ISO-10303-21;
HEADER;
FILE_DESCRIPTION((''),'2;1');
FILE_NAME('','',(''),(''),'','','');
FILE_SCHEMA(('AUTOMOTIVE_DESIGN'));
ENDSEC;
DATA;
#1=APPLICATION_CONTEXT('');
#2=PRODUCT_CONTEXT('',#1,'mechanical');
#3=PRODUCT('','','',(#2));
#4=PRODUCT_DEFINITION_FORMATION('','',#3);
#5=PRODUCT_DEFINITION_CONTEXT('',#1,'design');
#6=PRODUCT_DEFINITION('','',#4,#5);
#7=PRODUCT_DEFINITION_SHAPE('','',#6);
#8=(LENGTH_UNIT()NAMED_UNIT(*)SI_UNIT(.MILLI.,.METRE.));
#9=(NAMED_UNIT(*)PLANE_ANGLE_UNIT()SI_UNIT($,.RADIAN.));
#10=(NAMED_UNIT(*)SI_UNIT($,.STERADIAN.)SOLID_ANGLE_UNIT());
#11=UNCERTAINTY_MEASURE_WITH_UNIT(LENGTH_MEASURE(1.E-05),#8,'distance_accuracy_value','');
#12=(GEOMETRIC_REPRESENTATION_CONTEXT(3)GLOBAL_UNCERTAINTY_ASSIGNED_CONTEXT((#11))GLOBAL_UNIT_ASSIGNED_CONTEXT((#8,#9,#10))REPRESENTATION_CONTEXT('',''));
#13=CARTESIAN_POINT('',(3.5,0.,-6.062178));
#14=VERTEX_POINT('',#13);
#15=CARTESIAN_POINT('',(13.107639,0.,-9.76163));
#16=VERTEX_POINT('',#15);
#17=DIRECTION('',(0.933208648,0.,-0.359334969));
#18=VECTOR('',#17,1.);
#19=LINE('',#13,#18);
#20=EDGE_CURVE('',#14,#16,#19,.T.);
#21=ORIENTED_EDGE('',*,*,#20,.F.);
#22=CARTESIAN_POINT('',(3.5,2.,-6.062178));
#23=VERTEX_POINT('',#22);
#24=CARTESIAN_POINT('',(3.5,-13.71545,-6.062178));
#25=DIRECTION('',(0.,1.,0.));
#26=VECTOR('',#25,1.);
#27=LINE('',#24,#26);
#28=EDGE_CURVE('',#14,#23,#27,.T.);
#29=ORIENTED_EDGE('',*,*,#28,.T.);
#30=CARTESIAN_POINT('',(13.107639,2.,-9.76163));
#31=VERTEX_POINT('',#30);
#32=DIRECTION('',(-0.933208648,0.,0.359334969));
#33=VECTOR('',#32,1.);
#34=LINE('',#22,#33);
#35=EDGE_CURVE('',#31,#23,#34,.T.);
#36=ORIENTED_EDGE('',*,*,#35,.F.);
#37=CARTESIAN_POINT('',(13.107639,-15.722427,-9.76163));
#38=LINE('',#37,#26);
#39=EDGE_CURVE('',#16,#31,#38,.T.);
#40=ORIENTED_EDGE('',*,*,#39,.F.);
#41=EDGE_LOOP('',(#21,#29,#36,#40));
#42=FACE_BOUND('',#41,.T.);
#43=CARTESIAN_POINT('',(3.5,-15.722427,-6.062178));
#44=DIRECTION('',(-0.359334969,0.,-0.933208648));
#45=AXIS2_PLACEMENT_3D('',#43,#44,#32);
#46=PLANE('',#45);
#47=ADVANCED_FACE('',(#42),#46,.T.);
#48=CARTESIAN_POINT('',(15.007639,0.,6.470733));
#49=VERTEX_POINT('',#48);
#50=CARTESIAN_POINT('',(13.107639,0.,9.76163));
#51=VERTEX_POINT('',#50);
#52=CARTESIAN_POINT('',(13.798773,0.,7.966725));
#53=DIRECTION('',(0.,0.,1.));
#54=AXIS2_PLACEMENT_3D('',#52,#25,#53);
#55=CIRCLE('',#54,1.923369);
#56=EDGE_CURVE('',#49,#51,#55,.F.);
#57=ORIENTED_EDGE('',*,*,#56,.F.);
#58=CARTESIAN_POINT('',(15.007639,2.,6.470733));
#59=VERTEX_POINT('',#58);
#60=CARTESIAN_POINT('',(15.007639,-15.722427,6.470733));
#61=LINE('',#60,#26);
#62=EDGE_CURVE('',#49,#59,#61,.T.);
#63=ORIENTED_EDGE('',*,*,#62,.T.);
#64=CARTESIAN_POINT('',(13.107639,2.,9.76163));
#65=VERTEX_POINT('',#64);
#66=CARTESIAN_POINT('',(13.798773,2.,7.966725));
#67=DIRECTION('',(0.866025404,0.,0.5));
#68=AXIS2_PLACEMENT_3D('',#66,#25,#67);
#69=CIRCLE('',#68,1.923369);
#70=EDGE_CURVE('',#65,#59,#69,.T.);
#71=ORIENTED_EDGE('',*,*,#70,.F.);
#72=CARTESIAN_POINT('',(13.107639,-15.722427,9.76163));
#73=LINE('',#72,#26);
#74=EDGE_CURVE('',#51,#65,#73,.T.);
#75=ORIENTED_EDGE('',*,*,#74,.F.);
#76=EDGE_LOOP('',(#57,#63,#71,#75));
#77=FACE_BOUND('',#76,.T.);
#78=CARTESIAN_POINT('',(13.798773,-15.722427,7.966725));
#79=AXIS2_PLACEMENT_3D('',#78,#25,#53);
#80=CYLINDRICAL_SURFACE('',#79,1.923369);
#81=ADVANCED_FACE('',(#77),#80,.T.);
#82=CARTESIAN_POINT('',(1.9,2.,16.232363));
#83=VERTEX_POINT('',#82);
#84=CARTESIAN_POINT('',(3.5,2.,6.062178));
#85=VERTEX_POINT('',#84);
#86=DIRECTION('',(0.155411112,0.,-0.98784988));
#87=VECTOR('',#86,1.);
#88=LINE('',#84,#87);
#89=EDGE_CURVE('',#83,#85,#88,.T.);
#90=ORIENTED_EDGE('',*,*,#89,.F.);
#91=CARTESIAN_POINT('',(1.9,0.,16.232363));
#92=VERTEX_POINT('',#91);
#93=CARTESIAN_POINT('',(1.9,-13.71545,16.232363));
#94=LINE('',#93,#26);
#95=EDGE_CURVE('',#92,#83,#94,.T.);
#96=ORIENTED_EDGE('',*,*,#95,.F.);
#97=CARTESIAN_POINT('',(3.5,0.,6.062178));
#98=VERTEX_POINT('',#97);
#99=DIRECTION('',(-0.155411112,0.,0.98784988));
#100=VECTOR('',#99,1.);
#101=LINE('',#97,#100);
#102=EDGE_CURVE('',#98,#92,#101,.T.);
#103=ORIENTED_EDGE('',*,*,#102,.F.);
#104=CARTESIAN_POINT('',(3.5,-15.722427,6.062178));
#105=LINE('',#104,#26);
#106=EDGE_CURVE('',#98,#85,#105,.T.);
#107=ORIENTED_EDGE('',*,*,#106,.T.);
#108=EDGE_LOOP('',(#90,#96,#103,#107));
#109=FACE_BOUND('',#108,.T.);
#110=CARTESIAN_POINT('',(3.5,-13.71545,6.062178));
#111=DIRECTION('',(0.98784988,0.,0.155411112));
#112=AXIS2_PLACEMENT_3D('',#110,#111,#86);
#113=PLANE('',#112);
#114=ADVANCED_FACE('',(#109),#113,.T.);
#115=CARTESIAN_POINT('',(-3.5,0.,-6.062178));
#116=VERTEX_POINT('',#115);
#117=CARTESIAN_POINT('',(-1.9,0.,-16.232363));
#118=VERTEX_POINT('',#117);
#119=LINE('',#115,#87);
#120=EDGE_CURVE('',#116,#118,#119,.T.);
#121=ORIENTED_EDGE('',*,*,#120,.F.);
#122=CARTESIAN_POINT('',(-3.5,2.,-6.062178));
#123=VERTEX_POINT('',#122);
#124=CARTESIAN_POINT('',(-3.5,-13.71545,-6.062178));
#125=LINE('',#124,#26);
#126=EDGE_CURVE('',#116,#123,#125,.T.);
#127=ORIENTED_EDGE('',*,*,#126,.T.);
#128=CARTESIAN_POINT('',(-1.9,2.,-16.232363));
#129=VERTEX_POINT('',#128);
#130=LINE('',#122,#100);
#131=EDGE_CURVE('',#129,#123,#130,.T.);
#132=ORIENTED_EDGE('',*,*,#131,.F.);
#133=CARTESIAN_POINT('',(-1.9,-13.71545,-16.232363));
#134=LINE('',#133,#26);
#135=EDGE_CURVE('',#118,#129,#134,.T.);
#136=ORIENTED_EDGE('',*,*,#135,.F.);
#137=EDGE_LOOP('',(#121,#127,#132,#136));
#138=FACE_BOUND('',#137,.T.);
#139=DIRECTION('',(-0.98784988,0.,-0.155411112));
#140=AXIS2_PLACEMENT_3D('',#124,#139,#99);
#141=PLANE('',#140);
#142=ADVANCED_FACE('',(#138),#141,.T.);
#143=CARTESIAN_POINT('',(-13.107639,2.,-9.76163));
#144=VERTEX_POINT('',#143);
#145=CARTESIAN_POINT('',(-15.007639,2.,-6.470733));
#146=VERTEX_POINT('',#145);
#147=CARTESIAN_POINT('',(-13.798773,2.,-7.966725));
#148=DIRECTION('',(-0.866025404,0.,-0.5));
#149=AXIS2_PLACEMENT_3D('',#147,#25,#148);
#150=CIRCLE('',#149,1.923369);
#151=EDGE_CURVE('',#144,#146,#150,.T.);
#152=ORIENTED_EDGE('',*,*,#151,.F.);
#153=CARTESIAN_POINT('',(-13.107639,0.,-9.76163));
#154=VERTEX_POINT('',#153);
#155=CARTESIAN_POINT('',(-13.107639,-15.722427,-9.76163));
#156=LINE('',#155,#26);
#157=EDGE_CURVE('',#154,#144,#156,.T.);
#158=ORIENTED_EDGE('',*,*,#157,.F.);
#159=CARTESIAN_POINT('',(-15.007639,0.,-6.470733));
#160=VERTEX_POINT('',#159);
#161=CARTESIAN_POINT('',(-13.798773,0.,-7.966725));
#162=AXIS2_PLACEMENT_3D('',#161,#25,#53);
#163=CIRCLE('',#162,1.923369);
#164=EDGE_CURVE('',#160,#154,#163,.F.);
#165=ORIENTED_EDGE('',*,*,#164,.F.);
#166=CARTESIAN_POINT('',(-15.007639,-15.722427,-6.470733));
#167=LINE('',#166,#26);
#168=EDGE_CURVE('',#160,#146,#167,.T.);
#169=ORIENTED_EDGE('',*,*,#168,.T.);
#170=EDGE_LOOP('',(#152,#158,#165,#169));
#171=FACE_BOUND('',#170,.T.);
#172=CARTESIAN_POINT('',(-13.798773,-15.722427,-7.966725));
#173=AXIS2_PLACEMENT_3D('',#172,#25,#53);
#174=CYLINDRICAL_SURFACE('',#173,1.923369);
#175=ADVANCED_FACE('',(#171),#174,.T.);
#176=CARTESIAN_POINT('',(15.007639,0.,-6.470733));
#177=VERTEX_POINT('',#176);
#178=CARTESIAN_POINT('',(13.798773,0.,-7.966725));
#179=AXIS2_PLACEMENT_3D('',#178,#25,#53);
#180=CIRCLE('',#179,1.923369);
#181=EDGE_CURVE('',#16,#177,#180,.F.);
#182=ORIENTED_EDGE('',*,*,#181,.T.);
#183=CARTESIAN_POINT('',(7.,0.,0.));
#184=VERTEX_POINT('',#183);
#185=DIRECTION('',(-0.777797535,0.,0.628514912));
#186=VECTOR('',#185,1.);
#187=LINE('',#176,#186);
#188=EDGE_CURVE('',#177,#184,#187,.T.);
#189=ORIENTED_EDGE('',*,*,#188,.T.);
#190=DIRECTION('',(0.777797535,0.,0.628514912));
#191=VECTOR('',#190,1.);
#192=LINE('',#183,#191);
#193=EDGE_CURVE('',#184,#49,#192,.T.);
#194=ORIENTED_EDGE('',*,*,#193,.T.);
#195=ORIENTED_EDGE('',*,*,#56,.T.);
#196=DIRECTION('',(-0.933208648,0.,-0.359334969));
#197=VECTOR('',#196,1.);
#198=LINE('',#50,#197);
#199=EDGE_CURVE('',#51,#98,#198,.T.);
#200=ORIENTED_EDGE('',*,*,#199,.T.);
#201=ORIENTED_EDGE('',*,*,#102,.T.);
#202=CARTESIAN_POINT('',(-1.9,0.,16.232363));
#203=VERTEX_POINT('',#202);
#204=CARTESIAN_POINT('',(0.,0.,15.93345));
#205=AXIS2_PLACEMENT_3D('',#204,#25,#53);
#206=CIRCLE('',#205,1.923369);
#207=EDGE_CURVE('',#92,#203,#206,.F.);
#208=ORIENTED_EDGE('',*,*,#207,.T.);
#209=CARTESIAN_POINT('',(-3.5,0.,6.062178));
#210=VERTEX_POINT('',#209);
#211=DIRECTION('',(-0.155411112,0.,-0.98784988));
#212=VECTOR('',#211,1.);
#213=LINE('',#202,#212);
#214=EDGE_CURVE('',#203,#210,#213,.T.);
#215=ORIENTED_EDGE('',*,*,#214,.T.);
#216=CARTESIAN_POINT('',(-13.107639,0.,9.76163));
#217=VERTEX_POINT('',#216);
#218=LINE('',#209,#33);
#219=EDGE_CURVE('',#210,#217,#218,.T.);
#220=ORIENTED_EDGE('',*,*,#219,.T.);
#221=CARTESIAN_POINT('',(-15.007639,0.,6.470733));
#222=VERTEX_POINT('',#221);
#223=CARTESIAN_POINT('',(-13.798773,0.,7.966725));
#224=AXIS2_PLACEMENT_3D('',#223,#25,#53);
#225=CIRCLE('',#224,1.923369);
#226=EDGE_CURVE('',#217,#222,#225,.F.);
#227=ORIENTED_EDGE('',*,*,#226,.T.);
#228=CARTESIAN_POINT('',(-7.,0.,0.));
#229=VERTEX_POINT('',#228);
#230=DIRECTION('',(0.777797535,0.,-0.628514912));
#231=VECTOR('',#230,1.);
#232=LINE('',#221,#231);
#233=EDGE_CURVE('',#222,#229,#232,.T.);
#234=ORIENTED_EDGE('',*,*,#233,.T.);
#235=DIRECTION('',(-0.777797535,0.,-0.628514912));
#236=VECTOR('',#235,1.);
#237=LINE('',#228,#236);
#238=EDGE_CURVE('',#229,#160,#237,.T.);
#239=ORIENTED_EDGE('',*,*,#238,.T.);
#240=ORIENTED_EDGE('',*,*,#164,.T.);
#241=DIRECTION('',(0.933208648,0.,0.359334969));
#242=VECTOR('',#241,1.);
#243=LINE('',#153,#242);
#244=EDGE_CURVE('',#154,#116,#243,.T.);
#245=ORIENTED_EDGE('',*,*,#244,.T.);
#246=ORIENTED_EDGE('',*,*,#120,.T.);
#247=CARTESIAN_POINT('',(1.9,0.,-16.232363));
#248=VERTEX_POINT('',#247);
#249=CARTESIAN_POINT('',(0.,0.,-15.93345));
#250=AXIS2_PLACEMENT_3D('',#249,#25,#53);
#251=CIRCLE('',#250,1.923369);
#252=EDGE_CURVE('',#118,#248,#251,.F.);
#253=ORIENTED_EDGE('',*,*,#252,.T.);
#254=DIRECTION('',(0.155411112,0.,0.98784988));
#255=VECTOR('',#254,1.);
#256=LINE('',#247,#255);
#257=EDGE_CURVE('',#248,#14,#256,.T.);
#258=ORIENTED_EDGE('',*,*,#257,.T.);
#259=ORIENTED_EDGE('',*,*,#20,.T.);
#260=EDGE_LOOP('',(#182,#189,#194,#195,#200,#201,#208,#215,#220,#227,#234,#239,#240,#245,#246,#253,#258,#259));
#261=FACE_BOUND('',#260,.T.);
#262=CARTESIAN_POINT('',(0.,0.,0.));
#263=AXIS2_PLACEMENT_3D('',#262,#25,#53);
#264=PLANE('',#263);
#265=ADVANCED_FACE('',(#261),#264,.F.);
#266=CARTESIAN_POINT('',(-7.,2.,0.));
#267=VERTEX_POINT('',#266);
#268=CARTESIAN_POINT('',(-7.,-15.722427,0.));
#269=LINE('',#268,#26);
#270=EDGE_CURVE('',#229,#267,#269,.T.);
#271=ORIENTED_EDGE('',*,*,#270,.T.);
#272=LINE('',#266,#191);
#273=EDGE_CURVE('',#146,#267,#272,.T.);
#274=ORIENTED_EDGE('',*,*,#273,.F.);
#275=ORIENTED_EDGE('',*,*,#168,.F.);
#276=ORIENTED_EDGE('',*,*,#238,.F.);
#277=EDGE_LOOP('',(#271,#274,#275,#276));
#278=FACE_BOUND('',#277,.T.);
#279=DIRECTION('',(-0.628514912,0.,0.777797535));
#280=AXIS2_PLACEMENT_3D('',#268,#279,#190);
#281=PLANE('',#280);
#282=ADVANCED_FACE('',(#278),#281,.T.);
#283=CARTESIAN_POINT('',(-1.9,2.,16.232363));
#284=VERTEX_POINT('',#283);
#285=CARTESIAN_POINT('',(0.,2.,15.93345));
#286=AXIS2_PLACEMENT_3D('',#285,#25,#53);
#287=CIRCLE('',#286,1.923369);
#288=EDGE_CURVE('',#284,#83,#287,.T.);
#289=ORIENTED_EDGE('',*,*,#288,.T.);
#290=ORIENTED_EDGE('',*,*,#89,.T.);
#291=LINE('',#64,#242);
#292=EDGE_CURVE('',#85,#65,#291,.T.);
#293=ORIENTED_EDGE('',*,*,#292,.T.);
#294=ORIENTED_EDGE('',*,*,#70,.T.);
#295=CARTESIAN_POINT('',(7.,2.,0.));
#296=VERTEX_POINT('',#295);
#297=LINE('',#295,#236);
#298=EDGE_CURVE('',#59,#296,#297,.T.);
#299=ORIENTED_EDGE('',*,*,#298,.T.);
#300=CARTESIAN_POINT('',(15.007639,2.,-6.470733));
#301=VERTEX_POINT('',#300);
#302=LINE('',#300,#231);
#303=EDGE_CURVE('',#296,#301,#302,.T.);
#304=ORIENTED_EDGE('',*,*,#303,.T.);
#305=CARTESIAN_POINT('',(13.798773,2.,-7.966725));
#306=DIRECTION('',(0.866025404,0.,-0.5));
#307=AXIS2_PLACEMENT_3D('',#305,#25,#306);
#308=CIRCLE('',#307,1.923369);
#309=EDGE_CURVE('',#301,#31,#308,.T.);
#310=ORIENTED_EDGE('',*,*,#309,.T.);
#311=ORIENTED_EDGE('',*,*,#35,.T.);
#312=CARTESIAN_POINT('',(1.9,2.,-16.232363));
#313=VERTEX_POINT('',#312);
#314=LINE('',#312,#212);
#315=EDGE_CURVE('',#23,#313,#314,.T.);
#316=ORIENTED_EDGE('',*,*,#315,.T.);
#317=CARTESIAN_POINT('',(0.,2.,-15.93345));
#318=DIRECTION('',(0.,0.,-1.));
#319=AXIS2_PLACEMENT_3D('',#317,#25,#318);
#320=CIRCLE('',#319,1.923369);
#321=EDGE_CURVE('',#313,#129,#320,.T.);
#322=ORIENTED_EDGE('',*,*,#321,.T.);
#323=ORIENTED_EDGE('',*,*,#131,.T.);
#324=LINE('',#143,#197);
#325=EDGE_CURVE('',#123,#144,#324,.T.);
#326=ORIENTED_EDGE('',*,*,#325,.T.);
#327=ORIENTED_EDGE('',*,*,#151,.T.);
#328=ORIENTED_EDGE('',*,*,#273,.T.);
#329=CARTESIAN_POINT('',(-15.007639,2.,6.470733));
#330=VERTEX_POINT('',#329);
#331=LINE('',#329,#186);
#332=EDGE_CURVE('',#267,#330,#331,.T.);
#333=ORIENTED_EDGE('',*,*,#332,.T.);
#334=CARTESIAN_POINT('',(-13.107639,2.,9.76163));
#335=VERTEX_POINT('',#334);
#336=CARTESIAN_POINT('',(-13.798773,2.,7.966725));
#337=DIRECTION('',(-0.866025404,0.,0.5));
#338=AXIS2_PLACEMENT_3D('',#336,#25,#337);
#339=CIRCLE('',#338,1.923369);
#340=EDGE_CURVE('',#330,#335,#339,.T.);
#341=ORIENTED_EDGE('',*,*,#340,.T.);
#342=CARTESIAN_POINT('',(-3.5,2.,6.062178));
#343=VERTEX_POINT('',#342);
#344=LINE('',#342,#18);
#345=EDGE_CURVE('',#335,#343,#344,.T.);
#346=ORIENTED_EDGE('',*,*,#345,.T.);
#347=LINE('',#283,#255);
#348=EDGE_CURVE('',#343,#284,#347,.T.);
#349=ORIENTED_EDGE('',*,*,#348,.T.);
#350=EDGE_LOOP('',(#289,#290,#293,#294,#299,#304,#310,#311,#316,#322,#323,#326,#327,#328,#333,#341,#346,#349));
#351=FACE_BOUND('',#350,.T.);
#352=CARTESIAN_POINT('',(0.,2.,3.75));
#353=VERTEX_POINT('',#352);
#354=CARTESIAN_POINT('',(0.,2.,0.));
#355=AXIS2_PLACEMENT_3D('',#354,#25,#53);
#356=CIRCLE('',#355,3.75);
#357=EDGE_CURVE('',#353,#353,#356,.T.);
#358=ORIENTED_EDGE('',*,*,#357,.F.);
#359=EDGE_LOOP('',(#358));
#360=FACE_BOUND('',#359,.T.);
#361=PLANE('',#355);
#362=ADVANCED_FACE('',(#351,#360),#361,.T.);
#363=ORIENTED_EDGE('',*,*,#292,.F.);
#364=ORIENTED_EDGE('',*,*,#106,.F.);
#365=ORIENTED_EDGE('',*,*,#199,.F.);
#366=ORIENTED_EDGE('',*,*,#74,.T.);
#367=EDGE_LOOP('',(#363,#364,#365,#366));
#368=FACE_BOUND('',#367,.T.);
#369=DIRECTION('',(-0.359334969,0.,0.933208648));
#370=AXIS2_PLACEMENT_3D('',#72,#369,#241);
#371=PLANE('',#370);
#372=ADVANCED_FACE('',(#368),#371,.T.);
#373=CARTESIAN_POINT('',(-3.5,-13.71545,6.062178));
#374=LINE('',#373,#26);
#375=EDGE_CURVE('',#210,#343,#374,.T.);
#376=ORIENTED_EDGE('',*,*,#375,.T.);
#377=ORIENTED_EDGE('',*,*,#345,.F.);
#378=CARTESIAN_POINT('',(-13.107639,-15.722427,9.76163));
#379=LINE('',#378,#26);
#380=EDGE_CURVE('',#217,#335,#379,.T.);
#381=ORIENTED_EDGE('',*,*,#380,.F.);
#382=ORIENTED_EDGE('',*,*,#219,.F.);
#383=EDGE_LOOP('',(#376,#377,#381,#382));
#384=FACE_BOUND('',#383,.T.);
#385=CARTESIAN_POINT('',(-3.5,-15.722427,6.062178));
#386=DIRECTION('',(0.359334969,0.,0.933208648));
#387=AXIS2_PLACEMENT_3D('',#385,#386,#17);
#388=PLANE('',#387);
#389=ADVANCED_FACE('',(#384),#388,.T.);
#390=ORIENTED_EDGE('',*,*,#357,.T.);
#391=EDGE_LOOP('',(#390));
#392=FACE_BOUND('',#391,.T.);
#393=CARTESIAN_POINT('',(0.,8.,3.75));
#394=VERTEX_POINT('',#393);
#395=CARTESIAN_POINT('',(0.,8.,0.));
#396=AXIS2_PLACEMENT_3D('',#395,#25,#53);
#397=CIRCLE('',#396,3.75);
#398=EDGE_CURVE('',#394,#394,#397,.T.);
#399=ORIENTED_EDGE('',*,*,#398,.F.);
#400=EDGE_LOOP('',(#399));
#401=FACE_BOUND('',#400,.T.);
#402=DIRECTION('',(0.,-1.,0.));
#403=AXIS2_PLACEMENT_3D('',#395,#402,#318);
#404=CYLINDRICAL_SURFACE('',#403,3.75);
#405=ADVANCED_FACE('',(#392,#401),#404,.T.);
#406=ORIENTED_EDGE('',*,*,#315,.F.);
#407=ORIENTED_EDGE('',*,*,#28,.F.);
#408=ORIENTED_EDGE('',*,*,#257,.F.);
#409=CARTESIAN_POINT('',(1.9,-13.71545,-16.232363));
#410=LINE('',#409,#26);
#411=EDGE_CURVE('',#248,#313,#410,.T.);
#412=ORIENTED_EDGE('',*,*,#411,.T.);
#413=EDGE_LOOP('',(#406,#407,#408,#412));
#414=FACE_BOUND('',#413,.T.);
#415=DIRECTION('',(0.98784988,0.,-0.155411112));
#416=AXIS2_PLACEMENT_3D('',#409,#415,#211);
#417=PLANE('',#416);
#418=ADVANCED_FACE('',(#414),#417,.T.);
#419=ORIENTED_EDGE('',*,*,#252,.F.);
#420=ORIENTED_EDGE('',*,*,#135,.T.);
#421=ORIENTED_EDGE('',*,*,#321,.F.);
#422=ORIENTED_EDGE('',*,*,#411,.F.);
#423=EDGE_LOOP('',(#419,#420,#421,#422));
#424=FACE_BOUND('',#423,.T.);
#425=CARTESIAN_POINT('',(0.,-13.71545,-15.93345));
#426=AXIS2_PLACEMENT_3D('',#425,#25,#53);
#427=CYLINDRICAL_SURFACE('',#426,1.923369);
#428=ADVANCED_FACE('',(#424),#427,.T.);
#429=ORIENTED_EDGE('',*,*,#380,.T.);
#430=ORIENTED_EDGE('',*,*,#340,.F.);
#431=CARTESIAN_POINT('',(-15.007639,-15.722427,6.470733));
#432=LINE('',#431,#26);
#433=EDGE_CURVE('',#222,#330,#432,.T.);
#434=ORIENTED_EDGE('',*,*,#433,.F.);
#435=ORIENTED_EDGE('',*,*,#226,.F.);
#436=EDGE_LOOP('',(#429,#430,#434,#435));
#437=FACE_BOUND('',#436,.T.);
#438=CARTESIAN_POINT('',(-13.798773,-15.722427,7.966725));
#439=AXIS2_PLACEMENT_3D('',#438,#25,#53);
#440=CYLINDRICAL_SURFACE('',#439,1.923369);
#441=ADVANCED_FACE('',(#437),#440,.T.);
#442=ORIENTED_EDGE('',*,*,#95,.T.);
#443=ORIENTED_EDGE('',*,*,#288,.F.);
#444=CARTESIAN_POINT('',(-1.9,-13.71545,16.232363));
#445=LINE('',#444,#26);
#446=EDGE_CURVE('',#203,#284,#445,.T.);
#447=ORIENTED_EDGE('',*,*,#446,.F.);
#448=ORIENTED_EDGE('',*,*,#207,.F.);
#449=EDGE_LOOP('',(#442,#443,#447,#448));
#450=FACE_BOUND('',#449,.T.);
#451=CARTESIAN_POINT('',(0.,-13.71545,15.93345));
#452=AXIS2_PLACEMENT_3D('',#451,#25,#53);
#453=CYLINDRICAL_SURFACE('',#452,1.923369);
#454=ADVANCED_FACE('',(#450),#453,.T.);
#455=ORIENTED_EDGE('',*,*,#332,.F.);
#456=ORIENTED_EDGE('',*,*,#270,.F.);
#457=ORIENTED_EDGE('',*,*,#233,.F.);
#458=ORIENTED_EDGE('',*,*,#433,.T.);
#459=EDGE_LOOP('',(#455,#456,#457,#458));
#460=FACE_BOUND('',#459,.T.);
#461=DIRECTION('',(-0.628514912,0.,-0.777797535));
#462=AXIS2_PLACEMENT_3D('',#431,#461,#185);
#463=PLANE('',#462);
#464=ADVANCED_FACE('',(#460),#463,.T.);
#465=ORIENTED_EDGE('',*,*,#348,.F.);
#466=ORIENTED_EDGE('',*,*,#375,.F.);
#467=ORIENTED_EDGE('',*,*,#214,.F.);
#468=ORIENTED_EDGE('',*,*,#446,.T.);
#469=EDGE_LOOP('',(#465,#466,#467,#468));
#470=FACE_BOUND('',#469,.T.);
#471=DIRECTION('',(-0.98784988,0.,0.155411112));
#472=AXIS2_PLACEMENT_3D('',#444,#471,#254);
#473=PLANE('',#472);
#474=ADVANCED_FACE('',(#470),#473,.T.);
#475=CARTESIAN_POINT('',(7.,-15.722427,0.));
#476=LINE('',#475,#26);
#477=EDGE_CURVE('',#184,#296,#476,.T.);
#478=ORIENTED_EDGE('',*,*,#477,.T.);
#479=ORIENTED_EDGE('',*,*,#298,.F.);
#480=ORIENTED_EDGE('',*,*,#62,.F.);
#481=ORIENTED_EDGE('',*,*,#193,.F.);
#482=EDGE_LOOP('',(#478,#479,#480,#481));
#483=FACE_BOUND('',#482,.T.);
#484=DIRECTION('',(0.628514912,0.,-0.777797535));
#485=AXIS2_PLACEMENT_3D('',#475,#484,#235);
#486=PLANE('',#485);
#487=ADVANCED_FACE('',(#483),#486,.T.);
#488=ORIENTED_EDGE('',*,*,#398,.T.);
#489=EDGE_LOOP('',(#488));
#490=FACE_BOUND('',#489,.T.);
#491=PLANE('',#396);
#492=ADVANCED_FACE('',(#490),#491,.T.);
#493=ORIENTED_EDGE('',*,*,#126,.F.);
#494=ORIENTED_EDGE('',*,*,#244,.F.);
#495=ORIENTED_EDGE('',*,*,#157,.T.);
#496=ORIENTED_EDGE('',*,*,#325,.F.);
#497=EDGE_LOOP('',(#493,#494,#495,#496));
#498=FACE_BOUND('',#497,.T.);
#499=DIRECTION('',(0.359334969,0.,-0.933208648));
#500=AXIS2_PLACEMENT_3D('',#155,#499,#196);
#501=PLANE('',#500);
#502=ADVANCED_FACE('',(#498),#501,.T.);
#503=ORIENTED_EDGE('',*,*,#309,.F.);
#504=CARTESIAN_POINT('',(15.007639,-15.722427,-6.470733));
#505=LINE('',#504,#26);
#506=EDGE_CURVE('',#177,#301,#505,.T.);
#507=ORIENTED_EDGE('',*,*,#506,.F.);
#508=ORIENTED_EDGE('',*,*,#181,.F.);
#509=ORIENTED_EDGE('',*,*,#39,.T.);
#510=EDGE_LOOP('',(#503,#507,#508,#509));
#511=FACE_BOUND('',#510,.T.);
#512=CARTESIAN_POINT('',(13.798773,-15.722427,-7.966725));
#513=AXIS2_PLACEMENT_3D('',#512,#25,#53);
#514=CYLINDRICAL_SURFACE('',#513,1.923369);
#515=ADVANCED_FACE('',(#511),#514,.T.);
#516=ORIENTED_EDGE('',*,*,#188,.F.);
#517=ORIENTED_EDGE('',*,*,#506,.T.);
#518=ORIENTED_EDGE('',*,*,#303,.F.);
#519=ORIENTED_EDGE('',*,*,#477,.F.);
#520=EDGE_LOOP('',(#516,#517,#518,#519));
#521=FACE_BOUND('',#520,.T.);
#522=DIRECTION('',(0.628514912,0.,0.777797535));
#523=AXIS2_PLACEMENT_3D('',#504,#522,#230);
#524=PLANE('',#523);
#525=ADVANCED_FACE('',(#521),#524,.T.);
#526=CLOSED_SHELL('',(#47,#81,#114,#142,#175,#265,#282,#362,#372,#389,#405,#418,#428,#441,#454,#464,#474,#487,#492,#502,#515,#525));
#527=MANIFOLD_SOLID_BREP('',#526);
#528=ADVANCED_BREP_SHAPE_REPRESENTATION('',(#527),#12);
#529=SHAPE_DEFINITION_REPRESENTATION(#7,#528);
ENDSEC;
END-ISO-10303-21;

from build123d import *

# Parameters (mm, degrees)
SKETCH1_R           = 7
BOSS_EXTRUDE1_DEPTH = 2
BOSS_EXTRUDE2_START = -2
BOSS_EXTRUDE2_DEPTH = 2
CIRPATTERN1_COUNT   = 6
SKETCH3_R           = 3.75
BOSS_EXTRUDE3_DEPTH = 6


with BuildPart() as part:
    # Sketch1 → Boss-Extrude1 (new body)
    with BuildSketch(Plane(origin=(0, 0, 0), x_dir=(1, 0, 0), z_dir=(0, 1, 0))):
        with Locations(Location((0, 0, 0), (0, 0, 270))):
            Circle(SKETCH1_R)
    extrude(amount=BOSS_EXTRUDE1_DEPTH)

    # Sketch2 → Boss-Extrude2 (add)
    with BuildSketch(Plane(origin=(0, 2, 0), x_dir=(1, 0, 0), z_dir=(0, 1, 0)).offset(BOSS_EXTRUDE2_START)):
        with BuildLine():
            Line((-3.5, 6.062177826), (-1.9, 16.23236311))
            ThreePointArc((-1.9, 16.23236311), (0, 17.856819334), (1.9, 16.23236311))
            Line((1.9, 16.23236311), (3.5, 6.062177826))
            ThreePointArc((3.5, 6.062177826), (0, 7), (-3.5, 6.062177826))
        make_face()
    boss_extrude2 = extrude(amount=BOSS_EXTRUDE2_DEPTH)

    # CirPattern1: Boss-Extrude2 ×6 about axis
    cirpattern1_axis = Axis((0, 0, 0), (0, 1, 0))
    for i in range(1, CIRPATTERN1_COUNT):
        add(boss_extrude2.rotate(cirpattern1_axis, i * 360 / CIRPATTERN1_COUNT))

    # Sketch3 → Boss-Extrude3 (add)
    with BuildSketch(Plane(origin=(0, 2, 0), x_dir=(1, 0, 0), z_dir=(0, 1, 0))):
        with Locations(Location((0, 0, 0), (0, 0, 270))):
            Circle(SKETCH3_R)
    extrude(amount=BOSS_EXTRUDE3_DEPTH)


solid = part.part
